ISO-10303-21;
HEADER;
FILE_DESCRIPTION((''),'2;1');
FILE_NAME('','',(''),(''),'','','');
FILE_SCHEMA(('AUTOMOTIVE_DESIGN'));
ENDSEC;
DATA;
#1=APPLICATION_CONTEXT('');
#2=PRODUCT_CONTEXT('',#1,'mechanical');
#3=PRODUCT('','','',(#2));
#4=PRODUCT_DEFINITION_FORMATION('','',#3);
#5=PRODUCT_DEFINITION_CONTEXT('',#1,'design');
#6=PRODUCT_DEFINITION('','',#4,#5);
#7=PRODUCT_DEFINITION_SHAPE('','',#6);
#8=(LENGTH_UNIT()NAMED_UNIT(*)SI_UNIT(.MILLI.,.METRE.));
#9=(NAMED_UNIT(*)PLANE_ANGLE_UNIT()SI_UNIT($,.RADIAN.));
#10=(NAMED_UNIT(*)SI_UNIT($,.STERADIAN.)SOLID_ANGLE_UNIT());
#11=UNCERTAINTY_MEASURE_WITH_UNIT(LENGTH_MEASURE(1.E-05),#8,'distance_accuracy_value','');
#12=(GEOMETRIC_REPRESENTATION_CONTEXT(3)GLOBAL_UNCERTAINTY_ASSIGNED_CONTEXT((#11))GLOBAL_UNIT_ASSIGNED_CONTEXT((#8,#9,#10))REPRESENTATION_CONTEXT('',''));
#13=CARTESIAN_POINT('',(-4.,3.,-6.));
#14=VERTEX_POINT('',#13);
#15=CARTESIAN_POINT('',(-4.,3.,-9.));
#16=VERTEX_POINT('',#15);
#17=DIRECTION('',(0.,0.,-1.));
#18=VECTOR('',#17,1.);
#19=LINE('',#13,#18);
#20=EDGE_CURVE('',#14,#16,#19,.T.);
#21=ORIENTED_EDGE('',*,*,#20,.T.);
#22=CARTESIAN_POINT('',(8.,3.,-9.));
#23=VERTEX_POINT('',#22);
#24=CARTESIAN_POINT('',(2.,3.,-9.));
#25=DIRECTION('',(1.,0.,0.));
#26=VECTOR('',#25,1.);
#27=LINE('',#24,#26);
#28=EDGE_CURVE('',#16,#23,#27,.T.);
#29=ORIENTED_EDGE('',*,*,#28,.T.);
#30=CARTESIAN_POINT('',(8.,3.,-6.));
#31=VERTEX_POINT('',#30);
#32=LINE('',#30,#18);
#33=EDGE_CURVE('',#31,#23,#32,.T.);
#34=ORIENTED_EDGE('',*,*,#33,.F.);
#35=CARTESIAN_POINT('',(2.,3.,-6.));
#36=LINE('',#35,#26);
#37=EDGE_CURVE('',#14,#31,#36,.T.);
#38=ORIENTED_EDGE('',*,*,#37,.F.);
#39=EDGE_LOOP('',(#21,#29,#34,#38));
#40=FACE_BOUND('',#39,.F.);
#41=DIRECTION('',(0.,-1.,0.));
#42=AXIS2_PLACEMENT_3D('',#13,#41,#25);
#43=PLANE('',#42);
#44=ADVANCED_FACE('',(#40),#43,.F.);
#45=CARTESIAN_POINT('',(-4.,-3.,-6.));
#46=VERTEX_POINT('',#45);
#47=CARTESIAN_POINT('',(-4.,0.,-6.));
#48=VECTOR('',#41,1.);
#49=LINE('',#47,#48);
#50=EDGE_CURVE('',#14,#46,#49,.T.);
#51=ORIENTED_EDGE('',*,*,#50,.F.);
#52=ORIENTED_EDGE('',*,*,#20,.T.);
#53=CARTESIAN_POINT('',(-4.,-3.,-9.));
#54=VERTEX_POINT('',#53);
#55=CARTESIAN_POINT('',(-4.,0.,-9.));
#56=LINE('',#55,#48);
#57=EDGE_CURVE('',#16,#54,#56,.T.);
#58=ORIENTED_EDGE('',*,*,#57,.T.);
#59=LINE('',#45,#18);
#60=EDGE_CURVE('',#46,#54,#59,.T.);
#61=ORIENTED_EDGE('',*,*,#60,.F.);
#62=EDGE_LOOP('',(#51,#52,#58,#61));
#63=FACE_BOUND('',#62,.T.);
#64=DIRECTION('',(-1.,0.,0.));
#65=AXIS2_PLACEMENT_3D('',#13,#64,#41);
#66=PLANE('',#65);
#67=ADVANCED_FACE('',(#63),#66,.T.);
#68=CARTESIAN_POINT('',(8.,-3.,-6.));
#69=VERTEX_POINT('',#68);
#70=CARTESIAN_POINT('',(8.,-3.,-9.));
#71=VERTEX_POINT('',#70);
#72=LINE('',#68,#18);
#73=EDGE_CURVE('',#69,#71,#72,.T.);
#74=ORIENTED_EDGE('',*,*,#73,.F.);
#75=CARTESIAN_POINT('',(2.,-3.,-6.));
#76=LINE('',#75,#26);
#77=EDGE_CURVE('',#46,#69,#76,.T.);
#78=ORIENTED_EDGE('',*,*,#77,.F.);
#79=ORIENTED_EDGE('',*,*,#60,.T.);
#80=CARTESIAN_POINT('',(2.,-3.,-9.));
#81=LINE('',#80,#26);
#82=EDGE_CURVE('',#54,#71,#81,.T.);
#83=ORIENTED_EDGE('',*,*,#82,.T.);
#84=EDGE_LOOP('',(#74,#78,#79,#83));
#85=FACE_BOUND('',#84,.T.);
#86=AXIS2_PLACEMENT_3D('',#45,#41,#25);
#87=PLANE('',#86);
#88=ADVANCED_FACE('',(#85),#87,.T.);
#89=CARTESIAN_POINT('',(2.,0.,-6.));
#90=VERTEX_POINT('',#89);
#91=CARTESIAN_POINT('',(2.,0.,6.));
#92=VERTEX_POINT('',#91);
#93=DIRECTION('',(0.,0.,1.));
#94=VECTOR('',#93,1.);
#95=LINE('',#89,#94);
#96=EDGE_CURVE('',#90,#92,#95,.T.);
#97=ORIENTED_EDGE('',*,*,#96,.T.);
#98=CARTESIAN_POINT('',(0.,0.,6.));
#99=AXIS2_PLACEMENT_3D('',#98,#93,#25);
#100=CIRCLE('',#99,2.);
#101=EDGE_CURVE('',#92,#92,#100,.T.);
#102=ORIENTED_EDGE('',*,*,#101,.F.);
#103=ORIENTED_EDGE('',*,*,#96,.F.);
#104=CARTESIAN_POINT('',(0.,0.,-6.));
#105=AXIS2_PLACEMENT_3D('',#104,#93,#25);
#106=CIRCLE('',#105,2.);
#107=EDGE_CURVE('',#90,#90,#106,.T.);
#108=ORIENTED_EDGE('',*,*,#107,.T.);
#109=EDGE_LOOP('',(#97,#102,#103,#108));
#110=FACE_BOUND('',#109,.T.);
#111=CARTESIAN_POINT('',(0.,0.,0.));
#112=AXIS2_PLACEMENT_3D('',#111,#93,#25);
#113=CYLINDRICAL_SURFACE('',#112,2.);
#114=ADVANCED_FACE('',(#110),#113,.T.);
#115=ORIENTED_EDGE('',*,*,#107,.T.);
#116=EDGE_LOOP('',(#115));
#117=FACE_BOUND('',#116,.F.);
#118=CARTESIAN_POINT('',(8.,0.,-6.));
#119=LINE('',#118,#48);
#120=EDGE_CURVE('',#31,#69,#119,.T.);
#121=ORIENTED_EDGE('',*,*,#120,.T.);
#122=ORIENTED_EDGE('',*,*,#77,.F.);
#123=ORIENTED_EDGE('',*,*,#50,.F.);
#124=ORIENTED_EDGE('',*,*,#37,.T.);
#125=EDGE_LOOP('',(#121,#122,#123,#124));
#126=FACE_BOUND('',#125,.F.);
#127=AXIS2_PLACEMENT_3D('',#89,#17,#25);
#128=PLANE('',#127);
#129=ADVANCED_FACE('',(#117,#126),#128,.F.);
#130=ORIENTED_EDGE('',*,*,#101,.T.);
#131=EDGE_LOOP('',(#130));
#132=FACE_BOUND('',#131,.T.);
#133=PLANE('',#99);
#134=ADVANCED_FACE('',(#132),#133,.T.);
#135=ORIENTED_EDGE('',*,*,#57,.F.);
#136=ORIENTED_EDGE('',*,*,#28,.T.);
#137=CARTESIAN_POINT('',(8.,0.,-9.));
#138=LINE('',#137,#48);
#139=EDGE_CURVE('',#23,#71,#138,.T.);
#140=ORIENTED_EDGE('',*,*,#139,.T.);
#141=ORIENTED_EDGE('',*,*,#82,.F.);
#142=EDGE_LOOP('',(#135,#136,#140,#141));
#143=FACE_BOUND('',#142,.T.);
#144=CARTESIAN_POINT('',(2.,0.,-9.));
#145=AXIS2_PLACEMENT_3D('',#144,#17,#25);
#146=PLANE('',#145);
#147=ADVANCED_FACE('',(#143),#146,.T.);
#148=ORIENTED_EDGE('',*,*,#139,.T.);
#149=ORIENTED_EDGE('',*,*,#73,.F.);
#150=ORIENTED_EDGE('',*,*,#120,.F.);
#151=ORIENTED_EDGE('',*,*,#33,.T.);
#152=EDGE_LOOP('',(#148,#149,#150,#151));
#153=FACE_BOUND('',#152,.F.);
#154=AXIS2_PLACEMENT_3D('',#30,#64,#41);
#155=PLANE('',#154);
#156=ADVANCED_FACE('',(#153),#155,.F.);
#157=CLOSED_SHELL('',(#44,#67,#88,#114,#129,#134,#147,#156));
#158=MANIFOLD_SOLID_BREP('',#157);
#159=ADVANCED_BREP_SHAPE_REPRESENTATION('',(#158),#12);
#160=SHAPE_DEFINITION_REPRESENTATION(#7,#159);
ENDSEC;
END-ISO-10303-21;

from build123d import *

# Parameters (mm, degrees)
F0_R     = 2
F1_DEPTH = 6
F2_W     = 12
F2_H     = 6
F3_DEPTH = 3


with BuildPart() as f1:
    # F0 (on Top) → F1 (new body, symmetric)
    with BuildSketch(Plane.XY):
        Circle(F0_R)
    extrude(amount=F1_DEPTH, both=True)

    # F2 (on face) → F3 (join)
    with BuildSketch(Plane(origin=(0, 0, -6), x_dir=(1, 0, 0), z_dir=(0, 0, -1))):
        with Locations((2, 0)):
            Rectangle(F2_W, F2_H)
    extrude(amount=F3_DEPTH)


solid = f1.part
